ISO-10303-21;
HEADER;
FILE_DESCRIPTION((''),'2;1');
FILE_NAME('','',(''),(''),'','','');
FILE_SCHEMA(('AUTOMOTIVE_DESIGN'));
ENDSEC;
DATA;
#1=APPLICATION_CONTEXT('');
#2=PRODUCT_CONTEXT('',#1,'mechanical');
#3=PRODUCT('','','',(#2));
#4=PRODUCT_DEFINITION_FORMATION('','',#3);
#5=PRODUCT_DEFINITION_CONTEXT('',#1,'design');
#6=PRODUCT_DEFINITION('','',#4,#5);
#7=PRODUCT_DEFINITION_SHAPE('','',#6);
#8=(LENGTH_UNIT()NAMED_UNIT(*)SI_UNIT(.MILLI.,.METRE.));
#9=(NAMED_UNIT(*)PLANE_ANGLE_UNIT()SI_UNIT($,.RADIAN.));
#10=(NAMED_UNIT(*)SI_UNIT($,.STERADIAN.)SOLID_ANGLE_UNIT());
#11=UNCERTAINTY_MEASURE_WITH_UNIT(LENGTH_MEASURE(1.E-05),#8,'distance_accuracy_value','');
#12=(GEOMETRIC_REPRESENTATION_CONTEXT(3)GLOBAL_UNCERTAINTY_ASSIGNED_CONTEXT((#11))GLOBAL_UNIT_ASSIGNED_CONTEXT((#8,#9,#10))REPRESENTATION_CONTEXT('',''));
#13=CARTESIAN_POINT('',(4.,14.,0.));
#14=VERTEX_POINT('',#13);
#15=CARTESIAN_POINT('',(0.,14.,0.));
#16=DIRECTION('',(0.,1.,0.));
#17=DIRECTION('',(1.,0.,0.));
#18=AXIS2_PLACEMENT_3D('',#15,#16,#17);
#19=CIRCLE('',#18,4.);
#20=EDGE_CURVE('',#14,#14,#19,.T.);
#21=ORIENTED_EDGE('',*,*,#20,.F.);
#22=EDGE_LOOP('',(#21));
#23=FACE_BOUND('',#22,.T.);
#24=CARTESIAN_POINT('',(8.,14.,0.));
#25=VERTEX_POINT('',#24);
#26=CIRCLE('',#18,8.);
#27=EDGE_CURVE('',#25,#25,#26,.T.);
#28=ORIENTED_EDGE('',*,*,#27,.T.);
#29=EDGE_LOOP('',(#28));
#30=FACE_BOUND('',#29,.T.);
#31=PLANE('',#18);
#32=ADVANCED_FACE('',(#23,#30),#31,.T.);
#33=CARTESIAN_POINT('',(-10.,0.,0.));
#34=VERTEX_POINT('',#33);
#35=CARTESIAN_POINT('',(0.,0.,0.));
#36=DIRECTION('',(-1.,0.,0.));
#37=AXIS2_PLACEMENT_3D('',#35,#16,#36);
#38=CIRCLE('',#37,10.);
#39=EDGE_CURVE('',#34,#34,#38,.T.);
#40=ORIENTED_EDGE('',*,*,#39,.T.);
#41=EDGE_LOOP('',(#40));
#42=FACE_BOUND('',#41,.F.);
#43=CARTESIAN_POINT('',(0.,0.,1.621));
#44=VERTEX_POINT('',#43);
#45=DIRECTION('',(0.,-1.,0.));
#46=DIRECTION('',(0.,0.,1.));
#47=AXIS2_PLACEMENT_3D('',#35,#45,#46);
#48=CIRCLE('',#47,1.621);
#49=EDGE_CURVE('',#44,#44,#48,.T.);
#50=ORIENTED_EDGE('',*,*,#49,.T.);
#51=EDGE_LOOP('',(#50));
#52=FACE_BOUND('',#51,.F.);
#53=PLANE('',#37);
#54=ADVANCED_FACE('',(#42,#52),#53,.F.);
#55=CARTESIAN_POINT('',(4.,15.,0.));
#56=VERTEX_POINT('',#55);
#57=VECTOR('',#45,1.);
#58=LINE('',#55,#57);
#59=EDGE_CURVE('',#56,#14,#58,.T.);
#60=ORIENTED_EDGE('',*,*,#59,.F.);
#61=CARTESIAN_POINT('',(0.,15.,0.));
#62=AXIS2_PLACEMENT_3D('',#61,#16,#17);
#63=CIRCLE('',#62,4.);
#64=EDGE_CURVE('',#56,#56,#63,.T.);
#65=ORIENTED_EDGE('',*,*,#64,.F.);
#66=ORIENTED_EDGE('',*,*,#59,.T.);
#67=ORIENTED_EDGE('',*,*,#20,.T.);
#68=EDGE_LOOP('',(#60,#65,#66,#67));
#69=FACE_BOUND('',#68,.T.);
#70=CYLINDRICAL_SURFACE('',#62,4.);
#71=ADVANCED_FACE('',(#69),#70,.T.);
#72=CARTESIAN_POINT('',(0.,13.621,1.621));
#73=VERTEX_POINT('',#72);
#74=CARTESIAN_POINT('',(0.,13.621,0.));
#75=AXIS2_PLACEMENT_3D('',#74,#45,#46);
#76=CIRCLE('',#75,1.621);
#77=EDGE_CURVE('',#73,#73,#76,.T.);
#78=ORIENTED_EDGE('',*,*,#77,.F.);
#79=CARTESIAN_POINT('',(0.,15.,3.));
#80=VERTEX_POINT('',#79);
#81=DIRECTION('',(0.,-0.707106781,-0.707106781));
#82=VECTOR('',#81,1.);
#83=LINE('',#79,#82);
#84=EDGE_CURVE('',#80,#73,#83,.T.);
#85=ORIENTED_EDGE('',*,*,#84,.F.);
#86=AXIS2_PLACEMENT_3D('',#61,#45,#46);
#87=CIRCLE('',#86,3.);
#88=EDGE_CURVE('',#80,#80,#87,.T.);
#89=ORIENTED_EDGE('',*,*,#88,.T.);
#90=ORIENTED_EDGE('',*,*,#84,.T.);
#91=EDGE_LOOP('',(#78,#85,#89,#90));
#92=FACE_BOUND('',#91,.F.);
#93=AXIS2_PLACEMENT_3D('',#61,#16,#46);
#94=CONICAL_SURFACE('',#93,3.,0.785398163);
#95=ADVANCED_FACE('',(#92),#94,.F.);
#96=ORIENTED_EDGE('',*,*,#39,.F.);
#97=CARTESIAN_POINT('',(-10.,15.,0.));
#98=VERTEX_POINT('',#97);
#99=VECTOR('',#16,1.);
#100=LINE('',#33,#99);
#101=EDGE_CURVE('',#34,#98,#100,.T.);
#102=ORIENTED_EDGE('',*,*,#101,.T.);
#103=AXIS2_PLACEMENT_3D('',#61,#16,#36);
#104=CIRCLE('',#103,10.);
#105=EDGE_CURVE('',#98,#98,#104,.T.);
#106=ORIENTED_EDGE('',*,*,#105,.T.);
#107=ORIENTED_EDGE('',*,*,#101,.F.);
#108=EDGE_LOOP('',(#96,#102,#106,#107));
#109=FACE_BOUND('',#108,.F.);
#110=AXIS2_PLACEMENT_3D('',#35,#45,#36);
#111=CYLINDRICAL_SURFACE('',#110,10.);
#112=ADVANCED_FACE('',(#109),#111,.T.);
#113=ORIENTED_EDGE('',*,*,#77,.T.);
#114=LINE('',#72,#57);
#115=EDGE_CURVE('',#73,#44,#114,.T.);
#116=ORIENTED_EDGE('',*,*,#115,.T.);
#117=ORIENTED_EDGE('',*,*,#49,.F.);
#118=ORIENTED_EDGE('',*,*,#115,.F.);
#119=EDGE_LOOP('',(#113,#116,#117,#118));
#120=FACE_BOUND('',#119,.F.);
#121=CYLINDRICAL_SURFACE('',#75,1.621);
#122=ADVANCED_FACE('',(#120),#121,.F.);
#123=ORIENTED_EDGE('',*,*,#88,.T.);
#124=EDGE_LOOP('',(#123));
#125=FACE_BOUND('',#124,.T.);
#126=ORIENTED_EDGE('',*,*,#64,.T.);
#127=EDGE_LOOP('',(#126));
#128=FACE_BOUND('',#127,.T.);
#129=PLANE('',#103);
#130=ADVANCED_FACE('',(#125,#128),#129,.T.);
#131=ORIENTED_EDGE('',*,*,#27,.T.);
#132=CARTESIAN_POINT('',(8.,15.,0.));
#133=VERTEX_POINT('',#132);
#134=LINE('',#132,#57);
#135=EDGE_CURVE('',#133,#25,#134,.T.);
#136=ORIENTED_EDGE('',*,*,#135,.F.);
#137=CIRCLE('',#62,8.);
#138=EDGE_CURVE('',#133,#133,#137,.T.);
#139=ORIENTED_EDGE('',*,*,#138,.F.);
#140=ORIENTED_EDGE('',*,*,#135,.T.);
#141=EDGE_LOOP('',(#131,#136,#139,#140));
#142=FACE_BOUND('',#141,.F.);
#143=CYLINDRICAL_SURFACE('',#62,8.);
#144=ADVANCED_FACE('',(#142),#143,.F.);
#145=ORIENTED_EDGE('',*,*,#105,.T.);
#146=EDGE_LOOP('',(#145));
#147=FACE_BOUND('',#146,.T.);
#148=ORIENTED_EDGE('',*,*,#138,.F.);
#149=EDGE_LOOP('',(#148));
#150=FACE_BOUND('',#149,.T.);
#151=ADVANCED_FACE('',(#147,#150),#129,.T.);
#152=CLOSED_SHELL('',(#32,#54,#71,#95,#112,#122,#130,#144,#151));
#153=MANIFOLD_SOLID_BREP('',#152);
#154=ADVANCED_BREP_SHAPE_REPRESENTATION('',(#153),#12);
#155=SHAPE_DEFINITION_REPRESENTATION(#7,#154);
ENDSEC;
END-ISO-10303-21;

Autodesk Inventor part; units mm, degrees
ref_plane "YZ Plane" through (0, 0, 0) normal (1, 0, 0) x (0, 1, 0)
ref_plane "XZ Plane" through (0, 0, 0) normal (0, 1, 0) x (-1, 0, 0)
ref_plane "XY Plane" through (0, 0, 0) normal (0, 0, 1) x (1, 0, 0)
sketch "Sketch1" plane through (0, 0, 0) normal (0, 1, 0) x (-1, 0, 0)
  circle A0 centre (0, 0) radius 10
  dimension "d0" = 20
extrude "Extrusion1" add sketch "Sketch1" along normal blind 15
sketch "Sketch2" plane through (0, 15, 0) normal (0, 1, 0) x (1, 0, 0)
  circle A0 centre (0, 0) radius 4
  circle A1 centre (0, 0) radius 8
  circle A2 centre (0, 0) radius 10 projected
  dimension "d3" = 8
  dimension "d4" = 2
extrude "Extrusion2" cut sketch "Sketch2" against normal blind 9 contours A1
sketch "Sketch3" plane through (0, 6, 0) normal (0, 1, 0) x (1, 0, 0)
  circle A0 centre (0, 0) radius 4
  circle A1 centre (0, 0) radius 4 projected
  circle A2 centre (0, 0) radius 8
  circle A3 centre (0, 0) radius 8 projected
extrude "Extrusion3" add sketch "Sketch3" along normal blind 8
sketch "Sketch5" plane through (0, 15, 0) normal (0, 1, 0) x (1, 0, 0)
  circle A0 centre (0, 0) radius 4 projected
  circle A1 centre (0, 0) radius 2
  dimension "d20" = 4
hole "Hole2" at (0, 15, 0) direction (0, -1, 0) diameter 3.242 end through all countersink diameter 6 countersink angle 90 thread size "M4x0.7" class "6H" standard "ISO Metric profile"
properties part number "20-15 Electromagnet"
